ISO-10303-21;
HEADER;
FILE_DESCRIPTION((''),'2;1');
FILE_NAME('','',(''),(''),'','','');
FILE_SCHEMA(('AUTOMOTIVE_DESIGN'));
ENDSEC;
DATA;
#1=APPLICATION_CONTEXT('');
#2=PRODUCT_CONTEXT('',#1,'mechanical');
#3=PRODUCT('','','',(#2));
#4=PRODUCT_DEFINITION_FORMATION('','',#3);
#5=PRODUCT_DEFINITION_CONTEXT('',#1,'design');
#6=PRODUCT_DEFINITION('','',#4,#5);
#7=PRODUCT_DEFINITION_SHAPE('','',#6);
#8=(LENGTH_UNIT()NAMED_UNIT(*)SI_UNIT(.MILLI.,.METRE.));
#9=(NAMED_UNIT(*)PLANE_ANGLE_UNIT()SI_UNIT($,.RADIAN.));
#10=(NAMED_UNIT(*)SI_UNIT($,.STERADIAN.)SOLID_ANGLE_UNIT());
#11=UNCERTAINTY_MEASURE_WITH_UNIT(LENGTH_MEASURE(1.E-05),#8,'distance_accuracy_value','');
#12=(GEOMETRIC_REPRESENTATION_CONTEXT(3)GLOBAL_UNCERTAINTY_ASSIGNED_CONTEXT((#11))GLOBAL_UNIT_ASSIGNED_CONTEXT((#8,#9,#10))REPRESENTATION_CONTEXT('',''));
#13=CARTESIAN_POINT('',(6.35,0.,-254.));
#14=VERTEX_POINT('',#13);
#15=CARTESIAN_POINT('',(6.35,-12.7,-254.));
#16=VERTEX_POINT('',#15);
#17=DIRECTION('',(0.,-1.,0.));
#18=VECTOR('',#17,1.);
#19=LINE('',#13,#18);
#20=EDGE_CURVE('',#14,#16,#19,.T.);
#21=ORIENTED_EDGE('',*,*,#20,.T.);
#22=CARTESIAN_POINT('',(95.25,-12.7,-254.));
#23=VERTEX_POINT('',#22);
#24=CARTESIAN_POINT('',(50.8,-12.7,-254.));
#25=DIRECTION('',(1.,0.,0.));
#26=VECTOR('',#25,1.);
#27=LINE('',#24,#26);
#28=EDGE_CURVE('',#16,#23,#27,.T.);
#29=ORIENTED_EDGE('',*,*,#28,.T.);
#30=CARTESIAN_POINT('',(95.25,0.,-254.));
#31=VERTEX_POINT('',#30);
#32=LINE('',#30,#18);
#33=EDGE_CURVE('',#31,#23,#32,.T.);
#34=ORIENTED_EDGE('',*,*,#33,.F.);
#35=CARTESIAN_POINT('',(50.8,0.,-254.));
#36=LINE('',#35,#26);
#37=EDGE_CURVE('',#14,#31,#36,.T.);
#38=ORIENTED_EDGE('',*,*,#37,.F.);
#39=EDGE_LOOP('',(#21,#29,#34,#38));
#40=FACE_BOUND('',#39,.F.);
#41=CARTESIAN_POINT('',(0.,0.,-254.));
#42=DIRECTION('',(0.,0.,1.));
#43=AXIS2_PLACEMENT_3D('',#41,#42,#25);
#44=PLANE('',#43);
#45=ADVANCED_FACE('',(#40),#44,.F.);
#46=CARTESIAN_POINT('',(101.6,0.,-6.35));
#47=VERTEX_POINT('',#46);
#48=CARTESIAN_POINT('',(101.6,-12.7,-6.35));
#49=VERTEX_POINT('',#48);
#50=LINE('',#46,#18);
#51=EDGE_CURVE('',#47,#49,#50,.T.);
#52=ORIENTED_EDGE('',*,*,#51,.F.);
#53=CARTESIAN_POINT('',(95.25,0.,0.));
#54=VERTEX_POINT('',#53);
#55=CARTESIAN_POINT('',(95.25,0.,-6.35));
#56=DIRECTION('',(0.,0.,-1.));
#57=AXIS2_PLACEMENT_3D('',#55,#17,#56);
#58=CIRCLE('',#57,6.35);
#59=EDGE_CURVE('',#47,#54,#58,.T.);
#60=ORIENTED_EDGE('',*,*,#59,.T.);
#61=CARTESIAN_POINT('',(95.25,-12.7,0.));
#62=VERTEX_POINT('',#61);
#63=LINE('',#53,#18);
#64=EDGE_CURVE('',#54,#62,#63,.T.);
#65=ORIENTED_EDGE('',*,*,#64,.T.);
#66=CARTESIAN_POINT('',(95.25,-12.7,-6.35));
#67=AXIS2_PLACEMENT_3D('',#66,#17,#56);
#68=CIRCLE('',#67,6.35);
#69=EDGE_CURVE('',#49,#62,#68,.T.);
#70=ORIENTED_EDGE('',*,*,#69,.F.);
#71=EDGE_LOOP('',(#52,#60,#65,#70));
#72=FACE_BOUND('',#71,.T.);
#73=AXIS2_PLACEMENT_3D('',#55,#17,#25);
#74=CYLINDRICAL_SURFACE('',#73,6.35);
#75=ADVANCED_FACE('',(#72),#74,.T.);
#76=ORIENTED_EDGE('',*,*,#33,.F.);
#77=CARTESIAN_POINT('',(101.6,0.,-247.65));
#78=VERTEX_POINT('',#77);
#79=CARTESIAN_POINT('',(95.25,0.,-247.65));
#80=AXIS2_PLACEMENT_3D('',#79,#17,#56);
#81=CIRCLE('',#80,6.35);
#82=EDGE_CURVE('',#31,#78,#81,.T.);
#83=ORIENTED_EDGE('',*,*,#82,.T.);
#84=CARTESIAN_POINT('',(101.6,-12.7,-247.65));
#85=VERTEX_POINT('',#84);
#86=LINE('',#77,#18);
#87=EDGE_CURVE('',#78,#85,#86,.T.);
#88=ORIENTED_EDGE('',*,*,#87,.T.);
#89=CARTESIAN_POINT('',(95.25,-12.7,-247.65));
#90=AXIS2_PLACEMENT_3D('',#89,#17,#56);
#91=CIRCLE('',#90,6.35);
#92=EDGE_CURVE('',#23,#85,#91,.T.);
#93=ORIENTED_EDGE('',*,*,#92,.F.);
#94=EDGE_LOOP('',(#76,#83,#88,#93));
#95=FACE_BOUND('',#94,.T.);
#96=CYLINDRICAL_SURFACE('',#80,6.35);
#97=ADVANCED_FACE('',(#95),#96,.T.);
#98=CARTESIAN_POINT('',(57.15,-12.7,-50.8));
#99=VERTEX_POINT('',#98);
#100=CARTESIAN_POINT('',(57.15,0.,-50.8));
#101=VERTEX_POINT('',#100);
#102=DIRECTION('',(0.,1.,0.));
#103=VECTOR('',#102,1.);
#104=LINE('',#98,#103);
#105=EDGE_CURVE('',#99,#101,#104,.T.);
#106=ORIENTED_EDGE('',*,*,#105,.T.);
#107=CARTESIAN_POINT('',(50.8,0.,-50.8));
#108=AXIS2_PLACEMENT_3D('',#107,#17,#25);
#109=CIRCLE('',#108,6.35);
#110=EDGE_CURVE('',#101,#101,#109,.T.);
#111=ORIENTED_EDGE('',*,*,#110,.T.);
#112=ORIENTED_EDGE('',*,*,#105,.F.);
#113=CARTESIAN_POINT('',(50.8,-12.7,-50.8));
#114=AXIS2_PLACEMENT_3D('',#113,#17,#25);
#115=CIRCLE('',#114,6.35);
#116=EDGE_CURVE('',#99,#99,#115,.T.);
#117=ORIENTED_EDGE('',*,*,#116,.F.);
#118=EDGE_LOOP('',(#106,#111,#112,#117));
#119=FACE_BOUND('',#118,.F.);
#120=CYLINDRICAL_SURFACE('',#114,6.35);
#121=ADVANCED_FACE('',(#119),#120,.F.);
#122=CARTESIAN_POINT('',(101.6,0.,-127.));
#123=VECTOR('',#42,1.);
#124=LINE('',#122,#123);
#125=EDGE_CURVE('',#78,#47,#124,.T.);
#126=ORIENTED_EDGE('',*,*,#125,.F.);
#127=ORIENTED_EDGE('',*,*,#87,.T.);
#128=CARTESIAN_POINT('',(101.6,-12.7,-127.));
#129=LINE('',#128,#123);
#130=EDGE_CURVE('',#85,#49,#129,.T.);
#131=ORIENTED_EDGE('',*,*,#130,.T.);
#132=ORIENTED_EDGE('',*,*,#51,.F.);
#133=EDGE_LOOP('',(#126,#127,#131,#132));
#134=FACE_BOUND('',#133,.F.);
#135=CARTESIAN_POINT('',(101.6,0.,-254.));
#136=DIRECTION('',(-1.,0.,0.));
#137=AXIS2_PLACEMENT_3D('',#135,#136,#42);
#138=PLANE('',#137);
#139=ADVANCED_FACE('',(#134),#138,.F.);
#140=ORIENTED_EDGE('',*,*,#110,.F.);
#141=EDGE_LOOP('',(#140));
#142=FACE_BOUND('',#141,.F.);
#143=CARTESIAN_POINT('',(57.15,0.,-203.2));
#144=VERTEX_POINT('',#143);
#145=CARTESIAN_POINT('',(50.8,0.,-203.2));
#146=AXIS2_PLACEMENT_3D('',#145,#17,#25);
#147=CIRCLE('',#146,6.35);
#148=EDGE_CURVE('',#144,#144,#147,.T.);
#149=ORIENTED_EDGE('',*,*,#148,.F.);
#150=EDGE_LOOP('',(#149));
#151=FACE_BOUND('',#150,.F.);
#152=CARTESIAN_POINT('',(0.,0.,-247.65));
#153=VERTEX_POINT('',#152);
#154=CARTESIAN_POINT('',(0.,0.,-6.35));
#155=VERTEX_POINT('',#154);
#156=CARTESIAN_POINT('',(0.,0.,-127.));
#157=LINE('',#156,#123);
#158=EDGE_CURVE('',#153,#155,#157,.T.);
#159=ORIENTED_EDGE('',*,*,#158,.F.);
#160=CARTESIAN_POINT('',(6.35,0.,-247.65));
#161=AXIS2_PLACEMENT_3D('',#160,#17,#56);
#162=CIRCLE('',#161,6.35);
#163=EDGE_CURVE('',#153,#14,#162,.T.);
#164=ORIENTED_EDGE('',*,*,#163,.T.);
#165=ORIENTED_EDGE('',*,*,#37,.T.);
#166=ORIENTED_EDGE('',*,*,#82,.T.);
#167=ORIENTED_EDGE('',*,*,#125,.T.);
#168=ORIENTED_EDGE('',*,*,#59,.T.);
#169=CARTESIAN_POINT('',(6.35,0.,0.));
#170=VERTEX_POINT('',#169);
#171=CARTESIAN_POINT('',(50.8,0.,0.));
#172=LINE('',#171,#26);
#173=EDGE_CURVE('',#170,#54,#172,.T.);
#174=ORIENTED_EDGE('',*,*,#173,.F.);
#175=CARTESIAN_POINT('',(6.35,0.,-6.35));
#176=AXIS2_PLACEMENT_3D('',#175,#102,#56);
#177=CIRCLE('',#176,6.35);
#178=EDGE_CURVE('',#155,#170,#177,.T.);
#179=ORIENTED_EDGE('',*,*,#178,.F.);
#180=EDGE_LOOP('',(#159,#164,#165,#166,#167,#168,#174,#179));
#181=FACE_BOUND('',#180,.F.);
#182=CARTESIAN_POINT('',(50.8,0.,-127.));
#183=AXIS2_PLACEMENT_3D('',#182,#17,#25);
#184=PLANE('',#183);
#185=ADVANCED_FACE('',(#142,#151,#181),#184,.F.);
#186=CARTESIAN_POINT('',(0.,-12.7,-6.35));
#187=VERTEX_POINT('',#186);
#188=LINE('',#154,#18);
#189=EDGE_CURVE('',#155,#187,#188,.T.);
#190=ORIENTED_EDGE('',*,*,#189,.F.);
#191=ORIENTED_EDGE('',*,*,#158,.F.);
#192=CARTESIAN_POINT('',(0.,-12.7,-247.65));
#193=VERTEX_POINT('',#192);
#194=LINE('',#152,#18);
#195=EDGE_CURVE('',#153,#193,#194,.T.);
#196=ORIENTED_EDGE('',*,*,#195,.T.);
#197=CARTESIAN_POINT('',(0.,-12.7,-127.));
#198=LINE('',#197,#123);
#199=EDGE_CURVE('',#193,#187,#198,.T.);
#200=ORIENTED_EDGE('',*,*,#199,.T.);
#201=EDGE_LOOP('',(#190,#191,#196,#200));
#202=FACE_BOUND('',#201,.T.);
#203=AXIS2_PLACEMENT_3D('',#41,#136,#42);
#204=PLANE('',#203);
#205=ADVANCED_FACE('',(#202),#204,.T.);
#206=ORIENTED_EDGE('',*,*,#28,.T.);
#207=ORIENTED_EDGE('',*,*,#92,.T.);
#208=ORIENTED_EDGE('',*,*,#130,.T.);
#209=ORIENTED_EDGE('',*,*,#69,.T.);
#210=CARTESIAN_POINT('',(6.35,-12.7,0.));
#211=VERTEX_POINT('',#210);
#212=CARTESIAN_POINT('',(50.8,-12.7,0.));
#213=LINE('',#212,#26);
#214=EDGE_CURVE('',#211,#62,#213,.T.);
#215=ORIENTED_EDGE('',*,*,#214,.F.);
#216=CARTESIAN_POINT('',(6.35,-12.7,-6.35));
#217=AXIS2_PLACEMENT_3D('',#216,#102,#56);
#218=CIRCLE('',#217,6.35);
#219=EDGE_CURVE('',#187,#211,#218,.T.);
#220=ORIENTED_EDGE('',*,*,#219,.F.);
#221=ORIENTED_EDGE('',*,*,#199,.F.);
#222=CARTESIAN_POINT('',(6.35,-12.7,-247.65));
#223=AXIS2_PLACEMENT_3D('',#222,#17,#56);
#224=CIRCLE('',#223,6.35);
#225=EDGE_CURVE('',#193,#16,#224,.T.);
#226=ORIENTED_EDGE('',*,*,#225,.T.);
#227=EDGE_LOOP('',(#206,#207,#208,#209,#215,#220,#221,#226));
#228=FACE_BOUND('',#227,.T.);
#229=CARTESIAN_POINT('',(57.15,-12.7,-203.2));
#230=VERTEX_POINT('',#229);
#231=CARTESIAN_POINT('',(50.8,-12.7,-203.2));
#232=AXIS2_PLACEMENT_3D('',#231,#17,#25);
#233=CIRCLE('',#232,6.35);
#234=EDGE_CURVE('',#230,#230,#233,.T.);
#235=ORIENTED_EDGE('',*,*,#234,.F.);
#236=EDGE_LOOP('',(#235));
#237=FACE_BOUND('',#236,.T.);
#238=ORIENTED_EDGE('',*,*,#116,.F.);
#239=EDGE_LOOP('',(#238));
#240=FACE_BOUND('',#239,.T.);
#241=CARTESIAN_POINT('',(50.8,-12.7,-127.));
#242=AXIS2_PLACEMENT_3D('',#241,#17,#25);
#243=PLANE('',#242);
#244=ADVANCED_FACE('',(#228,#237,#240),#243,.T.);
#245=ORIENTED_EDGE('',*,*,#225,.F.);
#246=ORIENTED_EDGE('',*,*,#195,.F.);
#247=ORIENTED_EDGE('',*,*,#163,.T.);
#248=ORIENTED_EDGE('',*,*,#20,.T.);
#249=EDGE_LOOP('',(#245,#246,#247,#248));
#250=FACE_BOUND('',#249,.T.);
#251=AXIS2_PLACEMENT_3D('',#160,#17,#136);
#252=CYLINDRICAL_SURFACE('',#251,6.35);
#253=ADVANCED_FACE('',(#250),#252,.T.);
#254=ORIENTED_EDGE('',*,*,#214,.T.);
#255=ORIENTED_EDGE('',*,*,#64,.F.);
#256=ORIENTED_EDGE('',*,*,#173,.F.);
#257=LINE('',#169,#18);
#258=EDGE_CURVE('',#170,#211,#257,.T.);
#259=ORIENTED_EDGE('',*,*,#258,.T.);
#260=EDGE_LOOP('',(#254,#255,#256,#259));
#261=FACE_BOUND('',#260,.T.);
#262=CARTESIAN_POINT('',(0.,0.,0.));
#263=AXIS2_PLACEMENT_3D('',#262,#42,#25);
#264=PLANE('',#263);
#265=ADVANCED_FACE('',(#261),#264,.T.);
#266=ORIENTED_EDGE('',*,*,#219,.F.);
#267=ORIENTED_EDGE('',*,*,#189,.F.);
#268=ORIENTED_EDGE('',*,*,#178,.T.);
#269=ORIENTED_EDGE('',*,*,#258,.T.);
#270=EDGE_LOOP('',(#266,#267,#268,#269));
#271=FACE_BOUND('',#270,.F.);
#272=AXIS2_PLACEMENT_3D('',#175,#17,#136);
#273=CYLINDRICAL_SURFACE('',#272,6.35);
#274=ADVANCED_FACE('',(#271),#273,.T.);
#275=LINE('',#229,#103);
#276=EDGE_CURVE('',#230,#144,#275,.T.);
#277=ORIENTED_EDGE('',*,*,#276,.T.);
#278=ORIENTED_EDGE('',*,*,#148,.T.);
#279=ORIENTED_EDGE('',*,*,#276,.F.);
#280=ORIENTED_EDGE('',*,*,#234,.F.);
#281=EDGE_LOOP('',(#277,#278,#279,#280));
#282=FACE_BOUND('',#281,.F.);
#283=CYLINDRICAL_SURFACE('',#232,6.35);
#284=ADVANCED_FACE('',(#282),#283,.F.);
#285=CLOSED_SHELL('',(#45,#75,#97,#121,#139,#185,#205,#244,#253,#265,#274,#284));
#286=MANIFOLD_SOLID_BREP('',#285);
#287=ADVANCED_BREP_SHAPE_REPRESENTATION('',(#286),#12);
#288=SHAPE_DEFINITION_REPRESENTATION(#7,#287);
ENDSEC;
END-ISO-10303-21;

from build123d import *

# Parameters (mm, degrees)
F0_W     = 101.6
F0_H     = 254
F1_DEPTH = 12.7
F2_R     = 6.35
F3_R     = 6.35
F4_DEPTH = 12.701


with BuildPart() as f1:
    # F0 (on Front) → F1 (new body)
    with BuildSketch(Plane.XZ):
        with Locations((50.8, -127)):
            Rectangle(F0_W, F0_H)
    extrude(amount=F1_DEPTH)

    # F2
    f2_edges = [f1.edges().sort_by_distance(p)[0] for p in [
        (101.6, -6.35, 0),
        (0, -6.35, 0),
        (101.6, -6.35, -254),
        (0, -6.35, -254),
    ]]
    fillet(f2_edges, radius=F2_R)

    # F3 (on face) → F4 (cut, through all)
    with BuildSketch(Plane.XZ.offset(12.7)):
        with Locations((50.8, -50.8)):
            Circle(F3_R)
        with Locations((50.8, -203.2)):
            Circle(F3_R)
    extrude(amount=-F4_DEPTH, mode=Mode.SUBTRACT)


solid = f1.part
